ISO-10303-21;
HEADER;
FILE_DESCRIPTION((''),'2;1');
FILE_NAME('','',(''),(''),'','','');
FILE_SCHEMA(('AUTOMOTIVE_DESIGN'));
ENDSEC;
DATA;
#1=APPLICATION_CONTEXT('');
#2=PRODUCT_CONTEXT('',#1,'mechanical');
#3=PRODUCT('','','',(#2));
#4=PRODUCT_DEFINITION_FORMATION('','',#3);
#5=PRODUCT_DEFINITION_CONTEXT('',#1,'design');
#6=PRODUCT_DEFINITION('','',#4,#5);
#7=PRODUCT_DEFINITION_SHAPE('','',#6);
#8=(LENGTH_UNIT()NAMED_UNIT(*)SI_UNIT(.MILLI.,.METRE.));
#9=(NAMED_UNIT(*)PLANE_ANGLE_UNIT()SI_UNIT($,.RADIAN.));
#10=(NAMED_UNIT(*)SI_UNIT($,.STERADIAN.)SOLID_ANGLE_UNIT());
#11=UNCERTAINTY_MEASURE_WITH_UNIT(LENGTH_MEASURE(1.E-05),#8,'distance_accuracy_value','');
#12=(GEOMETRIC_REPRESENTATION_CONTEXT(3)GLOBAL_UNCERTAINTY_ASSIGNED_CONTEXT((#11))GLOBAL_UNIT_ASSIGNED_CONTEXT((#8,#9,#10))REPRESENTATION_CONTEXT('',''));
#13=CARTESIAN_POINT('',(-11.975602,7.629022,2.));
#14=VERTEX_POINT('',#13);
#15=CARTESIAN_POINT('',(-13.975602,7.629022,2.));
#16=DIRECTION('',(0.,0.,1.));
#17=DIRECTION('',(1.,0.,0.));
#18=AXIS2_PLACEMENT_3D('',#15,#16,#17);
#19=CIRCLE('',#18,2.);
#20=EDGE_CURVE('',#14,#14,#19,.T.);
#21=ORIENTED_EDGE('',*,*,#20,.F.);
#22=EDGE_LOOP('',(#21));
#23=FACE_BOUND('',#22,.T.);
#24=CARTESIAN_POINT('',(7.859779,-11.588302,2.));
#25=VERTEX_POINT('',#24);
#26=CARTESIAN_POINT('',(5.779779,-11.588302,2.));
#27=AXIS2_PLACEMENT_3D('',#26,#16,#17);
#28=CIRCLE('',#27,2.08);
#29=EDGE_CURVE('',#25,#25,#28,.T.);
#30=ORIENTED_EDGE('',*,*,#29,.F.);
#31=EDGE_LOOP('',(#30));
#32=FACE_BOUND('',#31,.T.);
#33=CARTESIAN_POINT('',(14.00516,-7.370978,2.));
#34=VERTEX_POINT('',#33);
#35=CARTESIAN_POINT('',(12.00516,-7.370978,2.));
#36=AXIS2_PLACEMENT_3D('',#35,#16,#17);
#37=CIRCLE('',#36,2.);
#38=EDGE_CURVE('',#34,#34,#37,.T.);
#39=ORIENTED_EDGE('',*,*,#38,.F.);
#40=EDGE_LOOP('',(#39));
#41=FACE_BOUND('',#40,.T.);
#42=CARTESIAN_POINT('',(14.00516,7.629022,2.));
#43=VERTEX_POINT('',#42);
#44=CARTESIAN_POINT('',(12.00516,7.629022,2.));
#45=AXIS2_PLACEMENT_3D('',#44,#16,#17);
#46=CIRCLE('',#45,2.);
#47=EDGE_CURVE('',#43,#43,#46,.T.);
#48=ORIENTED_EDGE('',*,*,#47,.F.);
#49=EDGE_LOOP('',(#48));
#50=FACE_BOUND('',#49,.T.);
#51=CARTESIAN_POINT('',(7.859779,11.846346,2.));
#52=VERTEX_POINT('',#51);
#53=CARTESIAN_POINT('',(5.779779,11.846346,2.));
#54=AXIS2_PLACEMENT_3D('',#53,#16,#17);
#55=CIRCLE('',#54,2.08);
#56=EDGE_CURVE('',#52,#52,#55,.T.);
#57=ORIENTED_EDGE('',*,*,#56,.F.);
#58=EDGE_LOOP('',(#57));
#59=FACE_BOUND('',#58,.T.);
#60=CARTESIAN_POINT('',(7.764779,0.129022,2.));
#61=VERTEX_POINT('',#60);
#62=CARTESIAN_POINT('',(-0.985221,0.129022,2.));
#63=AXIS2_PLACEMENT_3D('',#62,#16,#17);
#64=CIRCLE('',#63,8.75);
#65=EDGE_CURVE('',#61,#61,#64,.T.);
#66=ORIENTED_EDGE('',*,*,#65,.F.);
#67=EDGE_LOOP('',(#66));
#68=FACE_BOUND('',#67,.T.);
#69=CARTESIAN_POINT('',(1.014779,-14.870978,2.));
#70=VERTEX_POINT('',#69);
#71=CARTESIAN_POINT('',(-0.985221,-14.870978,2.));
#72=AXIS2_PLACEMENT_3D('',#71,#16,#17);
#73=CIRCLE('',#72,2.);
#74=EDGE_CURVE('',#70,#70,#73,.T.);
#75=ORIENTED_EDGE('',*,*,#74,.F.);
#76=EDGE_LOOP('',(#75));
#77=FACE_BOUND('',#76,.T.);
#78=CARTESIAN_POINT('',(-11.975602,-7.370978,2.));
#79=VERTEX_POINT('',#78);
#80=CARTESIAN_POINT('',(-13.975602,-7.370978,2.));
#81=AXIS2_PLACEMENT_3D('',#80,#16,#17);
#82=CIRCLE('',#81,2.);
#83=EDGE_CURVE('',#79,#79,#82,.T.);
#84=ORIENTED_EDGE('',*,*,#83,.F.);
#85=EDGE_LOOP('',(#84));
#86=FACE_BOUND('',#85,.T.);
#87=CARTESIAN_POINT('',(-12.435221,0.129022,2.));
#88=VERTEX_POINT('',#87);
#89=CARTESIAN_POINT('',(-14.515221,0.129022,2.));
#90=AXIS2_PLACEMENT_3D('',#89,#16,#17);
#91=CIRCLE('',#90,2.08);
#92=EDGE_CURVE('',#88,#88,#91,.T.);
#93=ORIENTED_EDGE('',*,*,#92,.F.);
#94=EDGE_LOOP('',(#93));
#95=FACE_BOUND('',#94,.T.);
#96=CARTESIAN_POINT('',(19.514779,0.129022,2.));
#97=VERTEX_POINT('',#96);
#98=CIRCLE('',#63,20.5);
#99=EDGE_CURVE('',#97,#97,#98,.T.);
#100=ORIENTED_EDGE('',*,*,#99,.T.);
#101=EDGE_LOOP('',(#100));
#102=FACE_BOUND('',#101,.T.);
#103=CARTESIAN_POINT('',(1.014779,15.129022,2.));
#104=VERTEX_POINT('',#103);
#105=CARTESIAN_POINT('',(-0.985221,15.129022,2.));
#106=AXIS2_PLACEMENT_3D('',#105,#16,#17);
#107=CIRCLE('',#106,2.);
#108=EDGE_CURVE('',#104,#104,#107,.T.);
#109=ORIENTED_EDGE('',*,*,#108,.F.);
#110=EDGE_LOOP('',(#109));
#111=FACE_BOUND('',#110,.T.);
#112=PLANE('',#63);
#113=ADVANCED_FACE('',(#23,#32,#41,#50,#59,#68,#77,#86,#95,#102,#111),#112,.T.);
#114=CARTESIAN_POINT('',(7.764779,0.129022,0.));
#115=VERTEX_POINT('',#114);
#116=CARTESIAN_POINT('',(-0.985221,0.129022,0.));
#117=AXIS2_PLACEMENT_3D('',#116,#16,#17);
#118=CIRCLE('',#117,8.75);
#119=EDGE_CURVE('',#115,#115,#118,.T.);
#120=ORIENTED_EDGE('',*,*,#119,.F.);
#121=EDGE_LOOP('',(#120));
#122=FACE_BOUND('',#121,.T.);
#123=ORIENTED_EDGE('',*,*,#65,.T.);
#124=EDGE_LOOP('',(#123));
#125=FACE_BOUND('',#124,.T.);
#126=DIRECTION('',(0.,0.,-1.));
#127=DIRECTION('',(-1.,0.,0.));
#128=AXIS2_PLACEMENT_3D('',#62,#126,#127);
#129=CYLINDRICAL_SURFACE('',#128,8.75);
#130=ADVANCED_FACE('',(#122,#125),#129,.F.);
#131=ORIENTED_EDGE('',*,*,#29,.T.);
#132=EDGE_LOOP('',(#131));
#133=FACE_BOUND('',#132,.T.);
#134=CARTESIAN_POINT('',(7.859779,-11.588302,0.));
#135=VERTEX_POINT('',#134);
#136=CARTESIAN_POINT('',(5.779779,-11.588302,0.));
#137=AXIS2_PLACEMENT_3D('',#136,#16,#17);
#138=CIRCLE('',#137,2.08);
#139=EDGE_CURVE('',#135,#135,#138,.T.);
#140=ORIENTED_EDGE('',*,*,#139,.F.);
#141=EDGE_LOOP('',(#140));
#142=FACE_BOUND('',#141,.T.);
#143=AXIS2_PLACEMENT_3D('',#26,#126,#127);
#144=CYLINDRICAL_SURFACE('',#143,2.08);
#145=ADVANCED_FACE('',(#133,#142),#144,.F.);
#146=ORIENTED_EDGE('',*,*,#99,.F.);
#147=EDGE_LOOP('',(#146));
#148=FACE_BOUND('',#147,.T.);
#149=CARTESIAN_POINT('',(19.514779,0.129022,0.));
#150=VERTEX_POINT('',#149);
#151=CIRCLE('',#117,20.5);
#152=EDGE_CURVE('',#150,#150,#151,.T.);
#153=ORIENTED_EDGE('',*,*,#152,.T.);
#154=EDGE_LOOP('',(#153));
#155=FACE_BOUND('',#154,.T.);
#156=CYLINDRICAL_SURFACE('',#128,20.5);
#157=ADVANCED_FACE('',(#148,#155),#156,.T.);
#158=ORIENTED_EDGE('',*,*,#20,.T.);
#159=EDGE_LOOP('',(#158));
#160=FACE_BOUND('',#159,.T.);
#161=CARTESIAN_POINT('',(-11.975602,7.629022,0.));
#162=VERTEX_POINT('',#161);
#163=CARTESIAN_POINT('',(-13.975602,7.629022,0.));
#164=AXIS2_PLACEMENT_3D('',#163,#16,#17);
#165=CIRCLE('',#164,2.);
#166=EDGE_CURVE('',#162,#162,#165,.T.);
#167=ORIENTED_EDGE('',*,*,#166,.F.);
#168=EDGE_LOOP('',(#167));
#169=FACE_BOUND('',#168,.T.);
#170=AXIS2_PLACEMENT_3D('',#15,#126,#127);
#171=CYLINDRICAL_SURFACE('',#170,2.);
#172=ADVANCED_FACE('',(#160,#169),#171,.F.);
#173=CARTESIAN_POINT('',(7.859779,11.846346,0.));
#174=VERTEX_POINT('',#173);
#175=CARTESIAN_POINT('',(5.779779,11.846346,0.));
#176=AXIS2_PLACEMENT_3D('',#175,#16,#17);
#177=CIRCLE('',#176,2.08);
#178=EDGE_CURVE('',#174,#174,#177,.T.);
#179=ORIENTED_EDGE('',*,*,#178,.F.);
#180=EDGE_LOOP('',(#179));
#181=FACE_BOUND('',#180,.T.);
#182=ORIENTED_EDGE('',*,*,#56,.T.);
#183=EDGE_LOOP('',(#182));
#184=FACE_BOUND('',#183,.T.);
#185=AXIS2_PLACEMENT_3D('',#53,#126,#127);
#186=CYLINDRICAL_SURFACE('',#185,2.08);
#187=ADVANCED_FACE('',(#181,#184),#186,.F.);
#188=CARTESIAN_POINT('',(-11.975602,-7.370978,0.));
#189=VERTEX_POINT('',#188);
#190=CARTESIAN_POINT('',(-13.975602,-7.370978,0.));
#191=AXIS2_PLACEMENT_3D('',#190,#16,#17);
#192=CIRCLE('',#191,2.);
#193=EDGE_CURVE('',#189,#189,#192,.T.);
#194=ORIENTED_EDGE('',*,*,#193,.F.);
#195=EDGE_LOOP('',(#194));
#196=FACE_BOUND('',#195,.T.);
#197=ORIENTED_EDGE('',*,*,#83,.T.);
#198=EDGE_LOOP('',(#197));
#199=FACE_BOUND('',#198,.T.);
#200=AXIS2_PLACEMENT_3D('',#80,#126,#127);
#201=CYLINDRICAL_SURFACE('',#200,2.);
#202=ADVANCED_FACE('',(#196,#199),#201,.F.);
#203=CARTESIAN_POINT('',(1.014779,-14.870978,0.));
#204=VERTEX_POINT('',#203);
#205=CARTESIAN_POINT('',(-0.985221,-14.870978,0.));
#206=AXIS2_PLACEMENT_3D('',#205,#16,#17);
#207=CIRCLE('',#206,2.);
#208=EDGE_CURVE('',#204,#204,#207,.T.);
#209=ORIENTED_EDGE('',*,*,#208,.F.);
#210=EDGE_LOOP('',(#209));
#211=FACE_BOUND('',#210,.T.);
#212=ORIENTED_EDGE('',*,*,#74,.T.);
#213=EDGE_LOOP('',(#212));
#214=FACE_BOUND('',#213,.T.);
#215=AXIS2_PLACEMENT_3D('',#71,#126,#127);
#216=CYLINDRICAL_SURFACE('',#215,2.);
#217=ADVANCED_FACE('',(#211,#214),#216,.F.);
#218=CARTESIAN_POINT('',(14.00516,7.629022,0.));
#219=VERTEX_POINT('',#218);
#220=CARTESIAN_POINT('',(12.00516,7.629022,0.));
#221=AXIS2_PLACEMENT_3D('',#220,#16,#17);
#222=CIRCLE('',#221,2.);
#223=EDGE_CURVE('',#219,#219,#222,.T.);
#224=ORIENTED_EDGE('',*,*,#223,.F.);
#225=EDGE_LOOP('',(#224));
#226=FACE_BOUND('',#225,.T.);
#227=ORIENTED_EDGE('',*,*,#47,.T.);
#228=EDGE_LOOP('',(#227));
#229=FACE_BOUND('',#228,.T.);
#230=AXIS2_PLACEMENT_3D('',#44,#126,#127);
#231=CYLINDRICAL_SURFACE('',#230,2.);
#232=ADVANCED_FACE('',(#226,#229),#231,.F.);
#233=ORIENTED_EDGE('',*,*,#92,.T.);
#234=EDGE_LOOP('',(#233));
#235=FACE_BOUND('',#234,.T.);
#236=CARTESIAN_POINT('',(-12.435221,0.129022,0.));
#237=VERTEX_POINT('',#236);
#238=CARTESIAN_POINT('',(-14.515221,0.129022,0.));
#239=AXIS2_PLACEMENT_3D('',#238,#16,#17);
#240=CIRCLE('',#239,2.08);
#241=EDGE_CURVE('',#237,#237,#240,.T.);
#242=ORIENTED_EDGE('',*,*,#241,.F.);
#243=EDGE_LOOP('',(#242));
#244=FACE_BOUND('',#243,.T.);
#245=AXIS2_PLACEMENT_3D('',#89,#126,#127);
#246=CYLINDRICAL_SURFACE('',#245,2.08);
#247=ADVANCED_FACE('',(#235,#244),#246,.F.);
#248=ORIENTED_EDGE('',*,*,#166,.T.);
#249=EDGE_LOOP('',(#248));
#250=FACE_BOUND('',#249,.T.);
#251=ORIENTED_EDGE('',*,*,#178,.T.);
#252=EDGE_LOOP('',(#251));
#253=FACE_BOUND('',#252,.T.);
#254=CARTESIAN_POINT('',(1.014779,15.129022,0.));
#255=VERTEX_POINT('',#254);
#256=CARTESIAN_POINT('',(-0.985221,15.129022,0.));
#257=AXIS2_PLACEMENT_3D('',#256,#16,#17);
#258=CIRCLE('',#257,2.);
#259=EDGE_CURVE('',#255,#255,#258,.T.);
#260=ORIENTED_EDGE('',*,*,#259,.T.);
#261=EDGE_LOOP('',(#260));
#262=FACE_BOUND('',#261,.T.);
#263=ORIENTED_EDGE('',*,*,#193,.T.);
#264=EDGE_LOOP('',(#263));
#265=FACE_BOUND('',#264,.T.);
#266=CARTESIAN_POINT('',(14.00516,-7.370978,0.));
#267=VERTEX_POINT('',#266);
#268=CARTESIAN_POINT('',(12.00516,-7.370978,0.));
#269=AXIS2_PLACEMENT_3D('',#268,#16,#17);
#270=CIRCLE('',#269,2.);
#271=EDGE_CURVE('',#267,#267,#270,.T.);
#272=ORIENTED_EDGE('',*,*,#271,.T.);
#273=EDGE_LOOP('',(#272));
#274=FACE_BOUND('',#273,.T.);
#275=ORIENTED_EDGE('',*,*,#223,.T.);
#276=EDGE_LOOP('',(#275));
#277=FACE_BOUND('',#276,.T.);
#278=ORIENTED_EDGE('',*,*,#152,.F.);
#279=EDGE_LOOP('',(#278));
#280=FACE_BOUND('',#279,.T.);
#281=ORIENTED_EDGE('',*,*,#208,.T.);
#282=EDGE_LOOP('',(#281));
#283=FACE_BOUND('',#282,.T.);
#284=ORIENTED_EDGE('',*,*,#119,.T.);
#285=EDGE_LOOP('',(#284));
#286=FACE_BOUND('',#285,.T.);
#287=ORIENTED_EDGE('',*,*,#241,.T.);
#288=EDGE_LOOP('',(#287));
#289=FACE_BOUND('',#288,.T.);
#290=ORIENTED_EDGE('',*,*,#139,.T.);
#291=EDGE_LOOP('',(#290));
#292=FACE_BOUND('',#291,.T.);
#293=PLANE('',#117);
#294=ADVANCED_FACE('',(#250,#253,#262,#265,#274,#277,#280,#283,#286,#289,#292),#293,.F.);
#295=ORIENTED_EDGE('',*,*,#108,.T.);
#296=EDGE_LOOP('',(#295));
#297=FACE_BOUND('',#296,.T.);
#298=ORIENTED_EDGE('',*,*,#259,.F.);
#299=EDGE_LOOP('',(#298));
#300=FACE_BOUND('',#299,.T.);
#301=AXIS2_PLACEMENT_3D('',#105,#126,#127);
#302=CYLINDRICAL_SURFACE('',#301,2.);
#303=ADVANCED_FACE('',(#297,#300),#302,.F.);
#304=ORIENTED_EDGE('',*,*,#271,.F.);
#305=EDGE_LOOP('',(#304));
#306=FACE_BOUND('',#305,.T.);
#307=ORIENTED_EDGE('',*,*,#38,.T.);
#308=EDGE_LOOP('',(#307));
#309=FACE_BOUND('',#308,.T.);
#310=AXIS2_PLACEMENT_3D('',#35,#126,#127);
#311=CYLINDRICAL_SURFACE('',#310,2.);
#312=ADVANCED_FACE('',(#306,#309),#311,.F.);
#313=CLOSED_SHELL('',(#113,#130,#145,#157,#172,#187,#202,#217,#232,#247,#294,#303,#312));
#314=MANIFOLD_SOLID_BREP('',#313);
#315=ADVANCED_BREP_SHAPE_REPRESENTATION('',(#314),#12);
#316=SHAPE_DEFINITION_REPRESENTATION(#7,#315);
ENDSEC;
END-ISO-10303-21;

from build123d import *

# Parameters (mm, degrees)
SKETCH_1_R      = 20.5
SKETCH_1_R_2    = 2
SKETCH_1_R_3    = 2.08
SKETCH_1_R_4    = 8.75
EXTRUDE_1_DEPTH = 2


with BuildPart() as part:
    # 草图1 → 凸台-拉伸1 (new body)
    with BuildSketch(Plane.XY):
        with Locations((-0.985220571, 0.129022057)):
            Circle(SKETCH_1_R)
        with Locations((-0.985220571, -14.870977943)):
            Circle(SKETCH_1_R_2, mode=Mode.SUBTRACT)
        with Locations((-13.975601628, -7.370977943)):
            Circle(SKETCH_1_R_2, mode=Mode.SUBTRACT)
        with Locations((-13.975601628, 7.629022057)):
            Circle(SKETCH_1_R_2, mode=Mode.SUBTRACT)
        with Locations((-0.985220571, 15.129022057)):
            Circle(SKETCH_1_R_2, mode=Mode.SUBTRACT)
        with Locations((12.005160486, 7.629022057)):
            Circle(SKETCH_1_R_2, mode=Mode.SUBTRACT)
        with Locations((12.005160486, -7.370977943)):
            Circle(SKETCH_1_R_2, mode=Mode.SUBTRACT)
        with Locations((-14.515220571, 0.129022057)):
            Circle(SKETCH_1_R_3, mode=Mode.SUBTRACT)
        with Locations((5.779779429, 11.84634577)):
            Circle(SKETCH_1_R_3, mode=Mode.SUBTRACT)
        with Locations((5.779779429, -11.588301656)):
            Circle(SKETCH_1_R_3, mode=Mode.SUBTRACT)
        with Locations((-0.985220571, 0.129022057)):
            Circle(SKETCH_1_R_4, mode=Mode.SUBTRACT)
    extrude(amount=EXTRUDE_1_DEPTH)


solid = part.part
